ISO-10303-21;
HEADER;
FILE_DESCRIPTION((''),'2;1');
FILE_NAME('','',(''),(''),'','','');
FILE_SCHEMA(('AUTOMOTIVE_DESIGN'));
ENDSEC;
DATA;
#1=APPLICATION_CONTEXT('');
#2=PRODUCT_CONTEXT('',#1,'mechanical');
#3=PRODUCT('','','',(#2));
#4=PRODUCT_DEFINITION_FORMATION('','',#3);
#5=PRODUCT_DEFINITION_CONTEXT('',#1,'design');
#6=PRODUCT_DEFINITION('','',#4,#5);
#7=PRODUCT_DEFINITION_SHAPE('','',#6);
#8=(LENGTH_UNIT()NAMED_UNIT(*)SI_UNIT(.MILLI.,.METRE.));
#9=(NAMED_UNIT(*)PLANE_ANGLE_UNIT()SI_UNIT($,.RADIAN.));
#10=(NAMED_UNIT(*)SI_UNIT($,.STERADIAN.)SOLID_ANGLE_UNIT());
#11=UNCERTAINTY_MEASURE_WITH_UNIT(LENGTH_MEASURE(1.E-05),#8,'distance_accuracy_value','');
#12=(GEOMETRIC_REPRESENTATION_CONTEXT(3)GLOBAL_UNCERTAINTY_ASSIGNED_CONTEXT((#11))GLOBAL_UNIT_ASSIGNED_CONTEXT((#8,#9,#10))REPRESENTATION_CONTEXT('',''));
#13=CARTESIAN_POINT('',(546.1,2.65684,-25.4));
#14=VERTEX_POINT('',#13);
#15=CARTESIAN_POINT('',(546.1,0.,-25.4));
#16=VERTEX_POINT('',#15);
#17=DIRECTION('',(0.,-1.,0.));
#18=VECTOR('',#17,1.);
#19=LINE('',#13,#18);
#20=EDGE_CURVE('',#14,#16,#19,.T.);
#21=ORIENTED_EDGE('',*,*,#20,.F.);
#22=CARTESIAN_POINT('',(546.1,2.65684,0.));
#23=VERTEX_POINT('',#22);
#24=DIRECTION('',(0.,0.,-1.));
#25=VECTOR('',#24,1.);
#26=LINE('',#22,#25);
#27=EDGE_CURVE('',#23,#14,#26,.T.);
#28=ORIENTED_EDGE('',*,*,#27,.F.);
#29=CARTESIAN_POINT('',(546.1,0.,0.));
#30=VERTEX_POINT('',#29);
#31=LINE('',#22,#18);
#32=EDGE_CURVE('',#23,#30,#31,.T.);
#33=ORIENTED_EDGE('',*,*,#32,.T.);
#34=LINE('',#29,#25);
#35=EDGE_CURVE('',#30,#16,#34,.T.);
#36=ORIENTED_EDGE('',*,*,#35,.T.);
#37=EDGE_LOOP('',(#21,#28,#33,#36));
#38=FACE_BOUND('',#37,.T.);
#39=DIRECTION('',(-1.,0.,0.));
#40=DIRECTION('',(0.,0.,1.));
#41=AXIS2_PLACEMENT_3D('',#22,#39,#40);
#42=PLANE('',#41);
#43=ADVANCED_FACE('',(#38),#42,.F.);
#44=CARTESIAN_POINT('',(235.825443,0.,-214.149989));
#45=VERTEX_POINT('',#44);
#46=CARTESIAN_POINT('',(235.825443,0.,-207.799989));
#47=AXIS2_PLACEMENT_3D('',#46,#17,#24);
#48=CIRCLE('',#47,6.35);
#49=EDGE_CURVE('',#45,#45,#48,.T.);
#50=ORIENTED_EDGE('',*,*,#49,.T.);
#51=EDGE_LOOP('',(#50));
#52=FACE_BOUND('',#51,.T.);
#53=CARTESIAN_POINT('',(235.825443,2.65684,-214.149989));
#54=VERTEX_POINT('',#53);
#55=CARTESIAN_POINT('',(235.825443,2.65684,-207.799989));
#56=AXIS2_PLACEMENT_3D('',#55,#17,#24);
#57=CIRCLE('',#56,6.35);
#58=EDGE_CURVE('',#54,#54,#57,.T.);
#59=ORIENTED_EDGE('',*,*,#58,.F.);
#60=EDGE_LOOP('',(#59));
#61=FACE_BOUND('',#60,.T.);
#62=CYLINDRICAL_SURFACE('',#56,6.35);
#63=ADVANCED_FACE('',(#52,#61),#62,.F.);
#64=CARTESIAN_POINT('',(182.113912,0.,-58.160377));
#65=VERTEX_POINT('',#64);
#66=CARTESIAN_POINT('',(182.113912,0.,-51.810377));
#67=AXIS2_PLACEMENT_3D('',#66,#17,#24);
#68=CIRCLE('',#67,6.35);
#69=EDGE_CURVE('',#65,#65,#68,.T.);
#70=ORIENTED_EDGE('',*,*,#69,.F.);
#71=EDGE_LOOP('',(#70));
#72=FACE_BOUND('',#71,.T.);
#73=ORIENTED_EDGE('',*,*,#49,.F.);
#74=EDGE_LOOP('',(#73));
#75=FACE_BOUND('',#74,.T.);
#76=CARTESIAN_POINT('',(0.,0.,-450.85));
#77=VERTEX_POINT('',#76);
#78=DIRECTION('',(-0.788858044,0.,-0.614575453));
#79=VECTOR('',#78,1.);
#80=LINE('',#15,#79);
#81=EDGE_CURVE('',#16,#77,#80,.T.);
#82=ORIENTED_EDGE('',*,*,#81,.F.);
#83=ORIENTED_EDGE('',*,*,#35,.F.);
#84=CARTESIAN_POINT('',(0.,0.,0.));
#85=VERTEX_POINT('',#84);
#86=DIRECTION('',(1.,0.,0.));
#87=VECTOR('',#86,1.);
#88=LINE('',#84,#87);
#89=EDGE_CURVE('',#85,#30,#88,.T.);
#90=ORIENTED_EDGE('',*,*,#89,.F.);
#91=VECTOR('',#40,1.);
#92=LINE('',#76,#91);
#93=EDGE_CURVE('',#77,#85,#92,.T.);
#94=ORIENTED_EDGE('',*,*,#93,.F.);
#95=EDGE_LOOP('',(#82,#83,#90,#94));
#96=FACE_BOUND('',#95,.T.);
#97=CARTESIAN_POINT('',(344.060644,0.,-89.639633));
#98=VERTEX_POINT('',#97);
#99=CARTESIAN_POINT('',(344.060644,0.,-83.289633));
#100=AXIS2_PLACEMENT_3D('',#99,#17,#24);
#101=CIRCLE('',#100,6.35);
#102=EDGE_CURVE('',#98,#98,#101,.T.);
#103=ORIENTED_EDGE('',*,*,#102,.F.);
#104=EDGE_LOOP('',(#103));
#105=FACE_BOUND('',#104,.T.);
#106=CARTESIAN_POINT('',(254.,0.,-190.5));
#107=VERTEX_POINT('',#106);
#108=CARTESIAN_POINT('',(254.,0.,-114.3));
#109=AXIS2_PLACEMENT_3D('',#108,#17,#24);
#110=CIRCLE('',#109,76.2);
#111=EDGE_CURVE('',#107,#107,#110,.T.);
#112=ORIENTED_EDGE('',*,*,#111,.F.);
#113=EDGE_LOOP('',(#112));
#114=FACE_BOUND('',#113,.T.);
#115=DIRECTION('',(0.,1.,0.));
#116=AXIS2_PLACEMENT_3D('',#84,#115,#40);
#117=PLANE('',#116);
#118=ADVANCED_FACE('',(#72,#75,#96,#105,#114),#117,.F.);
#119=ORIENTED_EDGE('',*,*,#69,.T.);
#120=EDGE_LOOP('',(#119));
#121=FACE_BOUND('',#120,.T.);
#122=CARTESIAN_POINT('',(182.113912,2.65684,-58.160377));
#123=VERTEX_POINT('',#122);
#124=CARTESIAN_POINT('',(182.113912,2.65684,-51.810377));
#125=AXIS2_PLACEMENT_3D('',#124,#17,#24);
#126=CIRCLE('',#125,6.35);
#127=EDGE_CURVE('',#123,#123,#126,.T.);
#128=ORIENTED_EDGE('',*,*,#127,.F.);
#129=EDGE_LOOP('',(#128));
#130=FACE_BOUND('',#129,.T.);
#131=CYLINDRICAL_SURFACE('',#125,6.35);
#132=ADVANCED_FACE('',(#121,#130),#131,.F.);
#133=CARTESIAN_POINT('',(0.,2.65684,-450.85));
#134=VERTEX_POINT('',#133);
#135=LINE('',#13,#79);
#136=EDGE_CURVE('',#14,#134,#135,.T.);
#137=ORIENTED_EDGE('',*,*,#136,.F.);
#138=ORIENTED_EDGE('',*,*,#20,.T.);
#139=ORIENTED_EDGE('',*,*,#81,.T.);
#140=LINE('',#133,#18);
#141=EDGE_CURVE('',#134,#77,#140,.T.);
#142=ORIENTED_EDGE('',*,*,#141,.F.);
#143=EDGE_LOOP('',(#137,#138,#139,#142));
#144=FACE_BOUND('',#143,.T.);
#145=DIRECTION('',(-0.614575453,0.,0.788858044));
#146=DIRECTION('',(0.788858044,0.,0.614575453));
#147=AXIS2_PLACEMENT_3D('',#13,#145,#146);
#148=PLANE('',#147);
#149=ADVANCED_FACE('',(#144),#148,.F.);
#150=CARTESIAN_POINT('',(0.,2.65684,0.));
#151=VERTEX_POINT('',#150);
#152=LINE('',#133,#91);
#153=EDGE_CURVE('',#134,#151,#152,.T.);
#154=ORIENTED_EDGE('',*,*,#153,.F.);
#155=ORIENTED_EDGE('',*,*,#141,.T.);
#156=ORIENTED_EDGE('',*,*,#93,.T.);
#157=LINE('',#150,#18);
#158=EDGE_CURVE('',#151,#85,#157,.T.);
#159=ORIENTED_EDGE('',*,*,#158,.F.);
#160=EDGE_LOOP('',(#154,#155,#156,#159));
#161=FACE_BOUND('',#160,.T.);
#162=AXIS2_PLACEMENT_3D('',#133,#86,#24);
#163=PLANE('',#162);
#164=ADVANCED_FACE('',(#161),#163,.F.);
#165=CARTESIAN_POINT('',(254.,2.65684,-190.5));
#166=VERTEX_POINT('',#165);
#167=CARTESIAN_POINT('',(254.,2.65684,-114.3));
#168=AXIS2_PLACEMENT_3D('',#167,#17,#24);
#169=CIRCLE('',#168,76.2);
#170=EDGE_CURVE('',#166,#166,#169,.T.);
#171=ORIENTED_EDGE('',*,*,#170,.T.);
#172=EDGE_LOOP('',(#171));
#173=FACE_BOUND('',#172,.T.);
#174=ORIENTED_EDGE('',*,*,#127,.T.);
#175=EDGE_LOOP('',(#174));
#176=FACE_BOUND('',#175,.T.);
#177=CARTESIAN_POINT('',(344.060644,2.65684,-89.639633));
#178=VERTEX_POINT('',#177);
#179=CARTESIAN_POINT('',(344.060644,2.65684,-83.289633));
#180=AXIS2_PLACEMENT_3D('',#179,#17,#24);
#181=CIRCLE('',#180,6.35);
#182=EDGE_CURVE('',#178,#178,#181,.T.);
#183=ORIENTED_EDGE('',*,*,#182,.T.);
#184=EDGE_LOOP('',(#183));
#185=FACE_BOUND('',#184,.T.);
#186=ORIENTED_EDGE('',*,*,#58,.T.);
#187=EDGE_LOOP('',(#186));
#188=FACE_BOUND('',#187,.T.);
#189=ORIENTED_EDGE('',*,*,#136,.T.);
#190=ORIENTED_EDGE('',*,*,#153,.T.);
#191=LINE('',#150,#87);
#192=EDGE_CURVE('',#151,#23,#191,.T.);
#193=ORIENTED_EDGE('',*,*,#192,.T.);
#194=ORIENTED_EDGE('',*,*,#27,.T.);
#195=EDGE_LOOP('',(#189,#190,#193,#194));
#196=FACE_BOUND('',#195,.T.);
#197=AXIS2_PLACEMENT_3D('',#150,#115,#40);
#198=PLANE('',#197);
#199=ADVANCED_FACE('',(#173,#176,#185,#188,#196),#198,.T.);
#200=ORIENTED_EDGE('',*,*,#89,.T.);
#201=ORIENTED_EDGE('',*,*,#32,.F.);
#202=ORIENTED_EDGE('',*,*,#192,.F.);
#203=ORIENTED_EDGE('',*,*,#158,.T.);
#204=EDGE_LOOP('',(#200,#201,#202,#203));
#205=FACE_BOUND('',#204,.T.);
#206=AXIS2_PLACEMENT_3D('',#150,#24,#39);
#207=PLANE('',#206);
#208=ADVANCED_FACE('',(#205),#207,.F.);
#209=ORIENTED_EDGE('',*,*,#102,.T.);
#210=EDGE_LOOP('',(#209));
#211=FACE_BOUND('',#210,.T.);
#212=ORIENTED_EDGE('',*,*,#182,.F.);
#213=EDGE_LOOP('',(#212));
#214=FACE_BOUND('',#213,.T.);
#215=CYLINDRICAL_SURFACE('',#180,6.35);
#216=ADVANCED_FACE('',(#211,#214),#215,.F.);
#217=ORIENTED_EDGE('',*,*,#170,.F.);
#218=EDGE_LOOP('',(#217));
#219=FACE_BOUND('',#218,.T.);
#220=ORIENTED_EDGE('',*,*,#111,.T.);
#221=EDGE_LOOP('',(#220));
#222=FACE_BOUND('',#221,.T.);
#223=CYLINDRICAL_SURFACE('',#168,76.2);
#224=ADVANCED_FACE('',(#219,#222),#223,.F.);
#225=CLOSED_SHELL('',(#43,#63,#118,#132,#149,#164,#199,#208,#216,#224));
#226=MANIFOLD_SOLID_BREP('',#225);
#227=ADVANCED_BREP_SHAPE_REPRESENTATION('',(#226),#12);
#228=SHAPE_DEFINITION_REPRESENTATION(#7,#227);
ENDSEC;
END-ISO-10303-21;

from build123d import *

# Parameters (mm, degrees)
BOSS_EXTRUDE1_DEPTH = 2.65684
SKETCH2_R           = 76.2
CUT_EXTRUDE1_DEPTH  = 3.65684
SKETCH3_R           = 6.35
CUT_EXTRUDE2_DEPTH  = 3.65684


with BuildPart() as part:
    # Sketch1 → Boss-Extrude1 (new body)
    with BuildSketch(Plane(origin=(0, 0, 0), x_dir=(1, 0, 0), z_dir=(0, 1, 0))):
        Polygon((0, 450.85), (0, 0), (546.1, 0), (546.1, 25.4), align=None)
    extrude(amount=BOSS_EXTRUDE1_DEPTH)

    # Sketch2 → Cut-Extrude1 (cut, through all)
    with BuildSketch(Plane.XZ):
        with Locations((254, -114.3)):
            Circle(SKETCH2_R)
    extrude(amount=-CUT_EXTRUDE1_DEPTH, mode=Mode.SUBTRACT)

    # Sketch3 → Cut-Extrude2 (cut, through all)
    with BuildSketch(Plane.XZ):
        with Locations((344.060644326, -83.289633288)):
            Circle(SKETCH3_R)
        with Locations((235.82544319, -207.799989223)):
            Circle(SKETCH3_R)
        with Locations((182.113912484, -51.810377489)):
            Circle(SKETCH3_R)
    extrude(amount=-CUT_EXTRUDE2_DEPTH, mode=Mode.SUBTRACT)


solid = part.part
